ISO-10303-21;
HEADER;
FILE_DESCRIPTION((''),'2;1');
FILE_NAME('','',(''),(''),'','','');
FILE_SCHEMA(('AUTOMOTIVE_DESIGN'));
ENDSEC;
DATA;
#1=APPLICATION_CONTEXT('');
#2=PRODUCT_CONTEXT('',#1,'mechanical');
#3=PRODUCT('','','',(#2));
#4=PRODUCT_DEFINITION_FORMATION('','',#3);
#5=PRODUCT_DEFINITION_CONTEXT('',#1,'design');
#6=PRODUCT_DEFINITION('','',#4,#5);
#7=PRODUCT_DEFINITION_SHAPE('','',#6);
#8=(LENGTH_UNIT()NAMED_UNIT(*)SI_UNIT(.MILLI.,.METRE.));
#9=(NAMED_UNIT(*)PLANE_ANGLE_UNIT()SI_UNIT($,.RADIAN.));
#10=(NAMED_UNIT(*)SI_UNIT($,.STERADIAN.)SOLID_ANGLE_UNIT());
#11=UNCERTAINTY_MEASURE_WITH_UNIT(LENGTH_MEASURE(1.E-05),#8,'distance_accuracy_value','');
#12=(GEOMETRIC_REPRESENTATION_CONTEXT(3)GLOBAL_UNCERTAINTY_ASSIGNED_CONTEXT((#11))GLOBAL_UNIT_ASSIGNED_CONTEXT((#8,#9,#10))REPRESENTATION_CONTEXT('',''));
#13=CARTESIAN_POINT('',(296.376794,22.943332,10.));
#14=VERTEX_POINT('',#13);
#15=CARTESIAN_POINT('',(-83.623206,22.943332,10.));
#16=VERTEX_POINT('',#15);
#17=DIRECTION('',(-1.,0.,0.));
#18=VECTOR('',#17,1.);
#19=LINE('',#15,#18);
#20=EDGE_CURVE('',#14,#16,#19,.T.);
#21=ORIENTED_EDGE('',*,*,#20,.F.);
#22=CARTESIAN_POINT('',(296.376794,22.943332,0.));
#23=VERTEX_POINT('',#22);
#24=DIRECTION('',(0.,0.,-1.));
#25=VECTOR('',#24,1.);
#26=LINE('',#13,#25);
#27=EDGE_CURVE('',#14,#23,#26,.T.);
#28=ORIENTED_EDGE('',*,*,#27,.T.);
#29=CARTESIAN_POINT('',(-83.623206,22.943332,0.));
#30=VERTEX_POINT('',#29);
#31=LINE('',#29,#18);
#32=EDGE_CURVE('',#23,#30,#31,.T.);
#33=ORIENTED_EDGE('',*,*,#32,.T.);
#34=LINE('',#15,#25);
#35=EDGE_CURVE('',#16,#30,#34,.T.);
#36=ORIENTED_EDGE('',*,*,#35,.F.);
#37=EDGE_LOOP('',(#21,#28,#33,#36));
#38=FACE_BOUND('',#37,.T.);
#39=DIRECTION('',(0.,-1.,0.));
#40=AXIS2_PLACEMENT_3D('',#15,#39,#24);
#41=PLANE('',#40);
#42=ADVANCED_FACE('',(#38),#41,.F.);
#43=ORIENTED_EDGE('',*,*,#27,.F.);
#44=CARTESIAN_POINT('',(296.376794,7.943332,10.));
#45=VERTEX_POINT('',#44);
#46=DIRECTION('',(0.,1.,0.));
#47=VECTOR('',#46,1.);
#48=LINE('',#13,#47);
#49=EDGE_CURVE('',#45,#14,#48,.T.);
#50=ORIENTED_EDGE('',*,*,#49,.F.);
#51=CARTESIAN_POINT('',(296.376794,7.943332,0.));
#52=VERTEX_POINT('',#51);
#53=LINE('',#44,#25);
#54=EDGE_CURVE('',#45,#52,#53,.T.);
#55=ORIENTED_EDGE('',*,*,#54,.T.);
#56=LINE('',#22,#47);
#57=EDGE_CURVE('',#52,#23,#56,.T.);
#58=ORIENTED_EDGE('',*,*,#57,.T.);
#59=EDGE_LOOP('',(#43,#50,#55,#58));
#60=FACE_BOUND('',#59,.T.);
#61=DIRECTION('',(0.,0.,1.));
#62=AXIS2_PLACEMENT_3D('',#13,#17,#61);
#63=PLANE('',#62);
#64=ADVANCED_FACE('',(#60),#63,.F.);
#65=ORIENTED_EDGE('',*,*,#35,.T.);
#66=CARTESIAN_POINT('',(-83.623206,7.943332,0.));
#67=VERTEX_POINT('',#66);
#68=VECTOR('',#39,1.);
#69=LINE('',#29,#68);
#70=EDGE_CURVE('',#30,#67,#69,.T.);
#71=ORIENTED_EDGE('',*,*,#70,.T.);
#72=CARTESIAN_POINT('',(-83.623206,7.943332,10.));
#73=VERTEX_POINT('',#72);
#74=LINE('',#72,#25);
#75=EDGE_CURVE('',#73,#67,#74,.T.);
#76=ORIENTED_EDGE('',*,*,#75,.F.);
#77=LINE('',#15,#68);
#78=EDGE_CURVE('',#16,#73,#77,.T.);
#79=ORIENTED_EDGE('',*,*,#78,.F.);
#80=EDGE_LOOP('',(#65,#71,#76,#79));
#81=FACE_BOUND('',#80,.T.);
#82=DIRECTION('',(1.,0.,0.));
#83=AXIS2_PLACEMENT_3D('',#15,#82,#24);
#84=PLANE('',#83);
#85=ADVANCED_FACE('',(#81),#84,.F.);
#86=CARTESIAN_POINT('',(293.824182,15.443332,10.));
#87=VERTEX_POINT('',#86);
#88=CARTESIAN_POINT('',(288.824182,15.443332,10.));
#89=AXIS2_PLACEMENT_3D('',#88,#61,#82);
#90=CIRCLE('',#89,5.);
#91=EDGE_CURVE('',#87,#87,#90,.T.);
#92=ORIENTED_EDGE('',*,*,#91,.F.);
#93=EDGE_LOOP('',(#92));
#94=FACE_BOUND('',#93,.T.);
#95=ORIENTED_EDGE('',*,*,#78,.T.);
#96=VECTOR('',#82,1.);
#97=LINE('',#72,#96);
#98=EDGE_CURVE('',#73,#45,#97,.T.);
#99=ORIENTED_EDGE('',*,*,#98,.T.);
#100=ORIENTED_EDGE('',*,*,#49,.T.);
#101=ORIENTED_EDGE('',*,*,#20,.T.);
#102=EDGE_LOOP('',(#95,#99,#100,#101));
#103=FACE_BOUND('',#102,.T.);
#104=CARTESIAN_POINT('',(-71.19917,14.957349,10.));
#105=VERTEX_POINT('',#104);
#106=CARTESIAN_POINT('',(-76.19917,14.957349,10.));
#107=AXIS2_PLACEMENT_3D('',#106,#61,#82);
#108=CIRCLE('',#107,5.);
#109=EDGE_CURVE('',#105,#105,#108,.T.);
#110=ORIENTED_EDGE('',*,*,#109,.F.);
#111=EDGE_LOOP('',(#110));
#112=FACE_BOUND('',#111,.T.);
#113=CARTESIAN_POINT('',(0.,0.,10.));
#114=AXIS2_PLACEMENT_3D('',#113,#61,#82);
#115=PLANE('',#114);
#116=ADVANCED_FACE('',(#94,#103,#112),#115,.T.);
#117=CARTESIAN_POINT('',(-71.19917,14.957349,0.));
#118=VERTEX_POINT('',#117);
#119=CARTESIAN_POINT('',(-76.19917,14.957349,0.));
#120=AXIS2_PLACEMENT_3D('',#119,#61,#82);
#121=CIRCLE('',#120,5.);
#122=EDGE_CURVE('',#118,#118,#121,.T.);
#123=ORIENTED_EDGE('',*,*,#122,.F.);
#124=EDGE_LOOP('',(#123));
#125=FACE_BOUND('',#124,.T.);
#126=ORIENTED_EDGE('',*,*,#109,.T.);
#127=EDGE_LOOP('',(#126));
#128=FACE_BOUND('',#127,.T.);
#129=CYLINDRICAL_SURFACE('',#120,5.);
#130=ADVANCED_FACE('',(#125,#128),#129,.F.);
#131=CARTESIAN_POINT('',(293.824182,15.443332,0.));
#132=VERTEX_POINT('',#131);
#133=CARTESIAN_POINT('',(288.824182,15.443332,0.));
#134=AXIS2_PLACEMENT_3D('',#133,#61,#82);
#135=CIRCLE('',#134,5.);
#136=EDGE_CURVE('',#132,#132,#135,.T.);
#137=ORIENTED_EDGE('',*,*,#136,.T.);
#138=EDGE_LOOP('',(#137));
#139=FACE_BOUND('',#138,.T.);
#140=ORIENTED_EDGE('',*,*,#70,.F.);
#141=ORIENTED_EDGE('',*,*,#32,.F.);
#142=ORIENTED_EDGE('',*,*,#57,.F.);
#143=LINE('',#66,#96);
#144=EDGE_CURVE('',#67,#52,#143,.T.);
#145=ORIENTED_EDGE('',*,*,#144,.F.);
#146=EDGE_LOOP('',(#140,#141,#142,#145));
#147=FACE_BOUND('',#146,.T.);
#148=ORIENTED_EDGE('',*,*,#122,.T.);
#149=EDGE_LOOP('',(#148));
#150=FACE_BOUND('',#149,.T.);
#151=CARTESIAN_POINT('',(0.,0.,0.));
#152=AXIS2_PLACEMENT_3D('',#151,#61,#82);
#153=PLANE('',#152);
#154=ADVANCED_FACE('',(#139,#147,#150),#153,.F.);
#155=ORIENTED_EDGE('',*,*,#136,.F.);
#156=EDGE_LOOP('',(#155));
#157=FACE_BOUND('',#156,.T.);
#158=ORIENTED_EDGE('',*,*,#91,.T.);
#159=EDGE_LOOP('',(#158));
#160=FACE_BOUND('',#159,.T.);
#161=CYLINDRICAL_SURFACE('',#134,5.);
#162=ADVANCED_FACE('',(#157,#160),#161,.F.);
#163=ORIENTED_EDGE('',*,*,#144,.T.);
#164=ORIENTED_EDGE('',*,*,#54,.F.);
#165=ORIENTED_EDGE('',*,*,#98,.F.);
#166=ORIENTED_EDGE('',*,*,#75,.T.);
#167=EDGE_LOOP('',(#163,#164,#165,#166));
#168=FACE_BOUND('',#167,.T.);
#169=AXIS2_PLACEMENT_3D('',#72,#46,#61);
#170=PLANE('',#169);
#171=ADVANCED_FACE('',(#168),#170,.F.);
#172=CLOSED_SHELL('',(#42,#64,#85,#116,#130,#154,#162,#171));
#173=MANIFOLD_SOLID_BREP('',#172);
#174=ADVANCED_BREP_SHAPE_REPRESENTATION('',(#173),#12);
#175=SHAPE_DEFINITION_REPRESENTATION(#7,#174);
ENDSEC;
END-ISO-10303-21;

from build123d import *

# Parameters (mm, degrees)
SKETCH_1_W          = 380
SKETCH_1_H          = 15
EXTRUDE_1_DEPTH     = 10
SKETCH_2_R          = 5
CUT_EXTRUDE_1_DEPTH = 298.431673828


with BuildPart() as part:
    # 草图1 → 凸台-拉伸1 (new body)
    with BuildSketch(Plane.XY):
        with Locations((106.376794181, 15.443331659)):
            Rectangle(SKETCH_1_W, SKETCH_1_H)
    extrude(amount=EXTRUDE_1_DEPTH)

    # 草图2 → 切除-拉伸1 (cut, through all)
    with BuildSketch(Plane.XY.offset(10)):
        with Locations((-76.199169982, 14.957349386)):
            Circle(SKETCH_2_R)
        with Locations((288.824182166, 15.443331659)):
            Circle(SKETCH_2_R)
    extrude(amount=-CUT_EXTRUDE_1_DEPTH, mode=Mode.SUBTRACT)


solid = part.part
